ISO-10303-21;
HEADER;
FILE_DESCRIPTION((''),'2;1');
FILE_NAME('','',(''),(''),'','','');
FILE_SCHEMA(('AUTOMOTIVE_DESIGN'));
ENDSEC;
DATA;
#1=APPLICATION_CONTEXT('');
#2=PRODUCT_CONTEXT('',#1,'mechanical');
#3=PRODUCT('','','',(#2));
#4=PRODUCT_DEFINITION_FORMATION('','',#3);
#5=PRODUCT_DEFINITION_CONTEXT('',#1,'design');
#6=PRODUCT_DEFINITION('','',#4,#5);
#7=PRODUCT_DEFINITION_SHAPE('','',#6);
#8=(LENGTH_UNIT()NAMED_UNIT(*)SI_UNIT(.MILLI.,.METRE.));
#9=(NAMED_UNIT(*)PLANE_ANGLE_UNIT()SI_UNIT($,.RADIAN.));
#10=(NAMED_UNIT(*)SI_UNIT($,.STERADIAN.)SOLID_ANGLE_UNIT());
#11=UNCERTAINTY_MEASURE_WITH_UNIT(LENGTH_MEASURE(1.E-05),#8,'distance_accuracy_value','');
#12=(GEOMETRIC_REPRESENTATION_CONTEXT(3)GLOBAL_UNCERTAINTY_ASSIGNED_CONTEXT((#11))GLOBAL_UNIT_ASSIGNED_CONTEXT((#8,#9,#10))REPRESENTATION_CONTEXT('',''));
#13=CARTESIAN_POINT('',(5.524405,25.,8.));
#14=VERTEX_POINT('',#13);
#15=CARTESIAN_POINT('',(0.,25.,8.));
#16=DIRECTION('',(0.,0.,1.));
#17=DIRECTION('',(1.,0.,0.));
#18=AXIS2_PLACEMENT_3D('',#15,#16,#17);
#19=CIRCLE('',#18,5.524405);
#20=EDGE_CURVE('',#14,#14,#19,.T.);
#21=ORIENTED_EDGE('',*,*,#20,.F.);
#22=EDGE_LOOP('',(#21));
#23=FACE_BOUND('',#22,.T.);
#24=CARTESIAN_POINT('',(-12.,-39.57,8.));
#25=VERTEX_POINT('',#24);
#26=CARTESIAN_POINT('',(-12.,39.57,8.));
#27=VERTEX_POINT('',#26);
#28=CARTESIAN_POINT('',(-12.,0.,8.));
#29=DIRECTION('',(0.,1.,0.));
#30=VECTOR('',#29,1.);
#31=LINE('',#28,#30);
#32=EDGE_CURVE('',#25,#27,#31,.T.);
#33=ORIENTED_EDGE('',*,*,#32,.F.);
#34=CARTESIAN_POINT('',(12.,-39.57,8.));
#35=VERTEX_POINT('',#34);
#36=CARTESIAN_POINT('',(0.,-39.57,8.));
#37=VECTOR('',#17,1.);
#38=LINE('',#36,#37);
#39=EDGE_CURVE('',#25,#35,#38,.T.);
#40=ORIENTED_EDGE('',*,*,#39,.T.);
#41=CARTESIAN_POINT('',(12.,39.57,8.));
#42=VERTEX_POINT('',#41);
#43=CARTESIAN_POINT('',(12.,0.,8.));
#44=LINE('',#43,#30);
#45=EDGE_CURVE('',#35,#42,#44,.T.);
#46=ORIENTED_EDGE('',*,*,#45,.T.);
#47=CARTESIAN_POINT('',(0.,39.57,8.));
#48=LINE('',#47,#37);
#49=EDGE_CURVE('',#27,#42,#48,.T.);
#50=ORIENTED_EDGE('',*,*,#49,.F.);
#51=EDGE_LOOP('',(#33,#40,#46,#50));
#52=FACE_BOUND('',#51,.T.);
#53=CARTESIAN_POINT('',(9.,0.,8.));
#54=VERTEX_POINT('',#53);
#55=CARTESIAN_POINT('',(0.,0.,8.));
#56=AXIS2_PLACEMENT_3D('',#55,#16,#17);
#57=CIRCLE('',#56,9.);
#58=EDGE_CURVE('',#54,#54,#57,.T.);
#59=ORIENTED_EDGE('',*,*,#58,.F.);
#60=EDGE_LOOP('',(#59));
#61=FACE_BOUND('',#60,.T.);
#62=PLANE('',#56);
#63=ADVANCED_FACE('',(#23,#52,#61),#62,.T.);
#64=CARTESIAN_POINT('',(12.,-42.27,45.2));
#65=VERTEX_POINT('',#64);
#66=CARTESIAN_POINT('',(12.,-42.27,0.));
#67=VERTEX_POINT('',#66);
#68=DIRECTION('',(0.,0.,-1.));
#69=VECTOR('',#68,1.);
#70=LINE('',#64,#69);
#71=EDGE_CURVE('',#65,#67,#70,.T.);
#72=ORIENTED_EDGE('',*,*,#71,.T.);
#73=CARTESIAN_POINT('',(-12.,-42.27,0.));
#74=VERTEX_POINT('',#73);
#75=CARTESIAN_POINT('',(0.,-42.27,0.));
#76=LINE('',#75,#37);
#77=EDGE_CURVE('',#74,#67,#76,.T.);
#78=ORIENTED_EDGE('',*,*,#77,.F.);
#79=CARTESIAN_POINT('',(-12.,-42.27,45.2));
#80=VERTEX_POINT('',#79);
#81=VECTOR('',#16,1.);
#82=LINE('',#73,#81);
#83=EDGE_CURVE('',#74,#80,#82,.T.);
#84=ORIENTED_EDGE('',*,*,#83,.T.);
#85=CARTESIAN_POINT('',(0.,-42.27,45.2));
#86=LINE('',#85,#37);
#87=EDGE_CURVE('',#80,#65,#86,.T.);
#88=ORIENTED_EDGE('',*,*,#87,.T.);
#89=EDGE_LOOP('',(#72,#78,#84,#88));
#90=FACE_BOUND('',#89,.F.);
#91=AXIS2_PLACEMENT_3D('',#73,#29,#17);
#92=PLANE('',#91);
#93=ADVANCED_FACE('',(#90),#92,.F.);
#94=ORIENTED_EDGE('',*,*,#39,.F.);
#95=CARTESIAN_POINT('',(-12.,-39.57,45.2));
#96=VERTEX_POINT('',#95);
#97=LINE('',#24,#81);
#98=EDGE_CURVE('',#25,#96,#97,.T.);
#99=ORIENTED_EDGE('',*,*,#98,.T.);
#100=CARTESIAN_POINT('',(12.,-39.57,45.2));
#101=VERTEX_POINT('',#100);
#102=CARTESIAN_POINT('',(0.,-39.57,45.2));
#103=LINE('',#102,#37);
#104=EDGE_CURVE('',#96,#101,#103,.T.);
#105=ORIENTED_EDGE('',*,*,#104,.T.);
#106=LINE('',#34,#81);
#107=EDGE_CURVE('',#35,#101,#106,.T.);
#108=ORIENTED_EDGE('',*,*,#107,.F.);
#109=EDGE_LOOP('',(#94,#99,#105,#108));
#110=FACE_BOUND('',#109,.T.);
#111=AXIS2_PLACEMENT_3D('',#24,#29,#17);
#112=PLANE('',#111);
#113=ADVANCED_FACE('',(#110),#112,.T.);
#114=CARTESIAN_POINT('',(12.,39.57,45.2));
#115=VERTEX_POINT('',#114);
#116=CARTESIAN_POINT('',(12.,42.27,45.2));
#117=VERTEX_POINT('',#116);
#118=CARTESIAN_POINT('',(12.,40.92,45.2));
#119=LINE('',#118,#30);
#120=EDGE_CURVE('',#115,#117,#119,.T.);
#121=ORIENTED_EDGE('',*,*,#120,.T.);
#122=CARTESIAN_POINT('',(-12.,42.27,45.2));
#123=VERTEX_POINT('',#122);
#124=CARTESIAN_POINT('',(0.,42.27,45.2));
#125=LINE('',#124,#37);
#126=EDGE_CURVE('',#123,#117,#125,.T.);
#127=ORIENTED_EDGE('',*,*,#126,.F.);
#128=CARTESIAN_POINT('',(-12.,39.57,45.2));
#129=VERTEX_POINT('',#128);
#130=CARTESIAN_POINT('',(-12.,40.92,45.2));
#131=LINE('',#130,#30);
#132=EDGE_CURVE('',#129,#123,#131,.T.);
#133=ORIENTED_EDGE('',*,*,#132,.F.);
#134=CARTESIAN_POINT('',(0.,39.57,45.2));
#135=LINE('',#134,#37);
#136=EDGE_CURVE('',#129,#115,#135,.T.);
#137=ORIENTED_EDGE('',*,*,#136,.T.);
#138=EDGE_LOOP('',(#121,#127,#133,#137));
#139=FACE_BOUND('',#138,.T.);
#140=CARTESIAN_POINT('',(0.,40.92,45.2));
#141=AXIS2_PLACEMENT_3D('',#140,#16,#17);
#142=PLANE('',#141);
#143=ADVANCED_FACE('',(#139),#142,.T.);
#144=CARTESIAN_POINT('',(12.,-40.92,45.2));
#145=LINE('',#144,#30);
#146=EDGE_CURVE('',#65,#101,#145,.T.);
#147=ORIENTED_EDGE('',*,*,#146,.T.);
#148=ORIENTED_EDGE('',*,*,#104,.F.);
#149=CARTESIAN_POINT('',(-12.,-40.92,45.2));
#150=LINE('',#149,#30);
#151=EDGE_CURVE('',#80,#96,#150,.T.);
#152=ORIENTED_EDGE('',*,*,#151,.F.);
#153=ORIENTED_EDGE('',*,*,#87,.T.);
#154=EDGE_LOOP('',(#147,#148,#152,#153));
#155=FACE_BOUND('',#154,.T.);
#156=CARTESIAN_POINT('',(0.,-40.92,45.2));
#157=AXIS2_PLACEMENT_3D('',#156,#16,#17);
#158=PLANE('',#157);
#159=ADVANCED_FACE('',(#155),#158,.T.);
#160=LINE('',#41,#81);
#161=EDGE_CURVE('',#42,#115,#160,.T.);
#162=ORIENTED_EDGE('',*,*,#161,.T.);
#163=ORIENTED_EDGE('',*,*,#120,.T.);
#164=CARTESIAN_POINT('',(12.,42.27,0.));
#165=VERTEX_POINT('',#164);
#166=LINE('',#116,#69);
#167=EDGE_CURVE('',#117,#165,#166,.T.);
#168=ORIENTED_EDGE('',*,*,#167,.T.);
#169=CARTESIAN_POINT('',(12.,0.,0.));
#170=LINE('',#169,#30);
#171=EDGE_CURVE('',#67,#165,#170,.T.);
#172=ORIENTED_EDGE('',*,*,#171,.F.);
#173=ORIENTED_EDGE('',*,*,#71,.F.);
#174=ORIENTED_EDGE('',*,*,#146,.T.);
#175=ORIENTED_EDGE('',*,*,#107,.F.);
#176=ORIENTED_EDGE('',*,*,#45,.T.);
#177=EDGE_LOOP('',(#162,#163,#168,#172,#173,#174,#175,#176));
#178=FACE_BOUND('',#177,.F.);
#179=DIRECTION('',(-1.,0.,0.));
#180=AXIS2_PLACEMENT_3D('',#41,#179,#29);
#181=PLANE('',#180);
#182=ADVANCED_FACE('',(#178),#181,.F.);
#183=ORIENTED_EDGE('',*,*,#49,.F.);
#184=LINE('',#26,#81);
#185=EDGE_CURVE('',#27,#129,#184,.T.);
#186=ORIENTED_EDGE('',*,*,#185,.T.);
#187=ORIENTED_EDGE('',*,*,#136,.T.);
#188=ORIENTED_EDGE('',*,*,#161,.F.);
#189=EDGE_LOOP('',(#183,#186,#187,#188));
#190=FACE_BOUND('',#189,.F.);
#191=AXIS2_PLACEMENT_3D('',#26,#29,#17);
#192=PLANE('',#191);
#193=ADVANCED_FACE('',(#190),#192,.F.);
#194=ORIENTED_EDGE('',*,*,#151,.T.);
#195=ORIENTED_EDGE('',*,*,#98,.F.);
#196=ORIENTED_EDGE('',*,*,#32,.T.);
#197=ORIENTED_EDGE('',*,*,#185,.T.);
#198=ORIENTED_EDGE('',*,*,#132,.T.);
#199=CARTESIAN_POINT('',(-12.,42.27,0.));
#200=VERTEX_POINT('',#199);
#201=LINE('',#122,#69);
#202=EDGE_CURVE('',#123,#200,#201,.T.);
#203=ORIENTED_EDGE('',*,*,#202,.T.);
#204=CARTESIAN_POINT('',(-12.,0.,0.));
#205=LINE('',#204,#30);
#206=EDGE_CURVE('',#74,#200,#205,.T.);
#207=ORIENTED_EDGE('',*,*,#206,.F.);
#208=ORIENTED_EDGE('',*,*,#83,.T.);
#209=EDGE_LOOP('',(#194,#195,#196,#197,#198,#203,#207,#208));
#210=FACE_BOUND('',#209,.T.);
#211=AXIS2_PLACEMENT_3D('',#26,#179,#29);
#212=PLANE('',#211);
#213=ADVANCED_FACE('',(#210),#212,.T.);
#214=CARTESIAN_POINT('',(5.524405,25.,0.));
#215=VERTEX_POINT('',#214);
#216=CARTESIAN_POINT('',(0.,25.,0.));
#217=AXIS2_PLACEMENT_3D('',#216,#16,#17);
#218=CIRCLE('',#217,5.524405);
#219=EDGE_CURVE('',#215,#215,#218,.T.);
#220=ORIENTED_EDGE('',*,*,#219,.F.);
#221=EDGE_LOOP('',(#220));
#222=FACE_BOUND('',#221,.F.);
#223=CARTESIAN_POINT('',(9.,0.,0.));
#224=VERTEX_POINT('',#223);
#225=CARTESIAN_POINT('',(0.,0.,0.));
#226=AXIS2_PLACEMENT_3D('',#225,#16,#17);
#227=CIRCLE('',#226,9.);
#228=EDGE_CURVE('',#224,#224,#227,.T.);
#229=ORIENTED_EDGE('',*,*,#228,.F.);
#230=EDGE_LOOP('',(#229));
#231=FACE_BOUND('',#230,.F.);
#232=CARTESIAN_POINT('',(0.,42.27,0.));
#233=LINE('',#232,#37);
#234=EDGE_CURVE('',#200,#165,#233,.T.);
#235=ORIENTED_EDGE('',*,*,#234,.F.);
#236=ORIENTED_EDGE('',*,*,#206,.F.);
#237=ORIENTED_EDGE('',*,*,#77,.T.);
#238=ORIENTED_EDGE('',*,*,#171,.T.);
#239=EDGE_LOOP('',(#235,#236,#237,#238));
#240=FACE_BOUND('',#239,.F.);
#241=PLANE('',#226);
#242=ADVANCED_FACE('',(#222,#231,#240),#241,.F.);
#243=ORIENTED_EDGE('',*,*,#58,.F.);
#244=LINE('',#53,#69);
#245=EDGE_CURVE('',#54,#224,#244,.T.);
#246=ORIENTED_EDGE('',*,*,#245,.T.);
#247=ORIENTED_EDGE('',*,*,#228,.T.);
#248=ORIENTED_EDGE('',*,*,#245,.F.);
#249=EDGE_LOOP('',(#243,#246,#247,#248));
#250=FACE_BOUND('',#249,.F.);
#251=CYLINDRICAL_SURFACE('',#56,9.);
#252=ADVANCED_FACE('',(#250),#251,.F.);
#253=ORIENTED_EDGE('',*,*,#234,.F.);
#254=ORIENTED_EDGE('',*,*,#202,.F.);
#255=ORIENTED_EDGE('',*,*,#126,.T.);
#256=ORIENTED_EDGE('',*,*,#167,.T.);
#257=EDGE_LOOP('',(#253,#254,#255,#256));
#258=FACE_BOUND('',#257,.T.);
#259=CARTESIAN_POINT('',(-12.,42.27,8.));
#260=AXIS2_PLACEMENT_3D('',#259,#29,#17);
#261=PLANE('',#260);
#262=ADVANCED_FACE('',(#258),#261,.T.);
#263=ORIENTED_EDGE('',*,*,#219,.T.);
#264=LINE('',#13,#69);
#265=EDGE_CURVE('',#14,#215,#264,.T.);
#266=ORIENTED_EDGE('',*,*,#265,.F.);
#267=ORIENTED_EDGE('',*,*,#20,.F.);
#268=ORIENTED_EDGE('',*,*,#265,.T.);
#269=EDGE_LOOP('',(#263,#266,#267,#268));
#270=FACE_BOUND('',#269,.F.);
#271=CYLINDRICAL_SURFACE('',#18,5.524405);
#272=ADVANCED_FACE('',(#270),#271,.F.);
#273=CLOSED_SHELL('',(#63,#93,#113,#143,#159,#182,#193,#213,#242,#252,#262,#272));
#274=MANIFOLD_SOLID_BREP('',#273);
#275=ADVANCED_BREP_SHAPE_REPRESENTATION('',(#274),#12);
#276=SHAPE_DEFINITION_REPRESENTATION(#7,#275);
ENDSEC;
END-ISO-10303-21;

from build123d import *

# Parameters (mm, degrees)
F0_W     = 24
F0_H     = 84.54
F1_DEPTH = 8
F2_W     = 24
F2_H     = 2.7
F3_DEPTH = 37.2
F4_R     = 9
F5_DEPTH = 8.001
F6_R     = 5.524405
F7_DEPTH = 8.001


with BuildPart() as f1:
    # F0 (on Top) → F1 (new body)
    with BuildSketch(Plane.XY):
        Rectangle(F0_W, F0_H)
    extrude(amount=F1_DEPTH)

    # F2 (on face) → F3 (join)
    with BuildSketch(Plane.XY.offset(8)):
        with Locations((0, 40.92)):
            Rectangle(F2_W, F2_H)
        with Locations((0, -40.92)):
            Rectangle(F2_W, F2_H)
    extrude(amount=F3_DEPTH)

    # F4 (on face) → F5 (cut, through all)
    with BuildSketch(Plane.XY.offset(8)):
        Circle(F4_R)
    extrude(amount=-F5_DEPTH, mode=Mode.SUBTRACT)

    # F6 (on face) → F7 (cut, through all)
    with BuildSketch(Plane.XY.offset(8)):
        with Locations((0, 25)):
            Circle(F6_R)
    extrude(amount=-F7_DEPTH, mode=Mode.SUBTRACT)


solid = f1.part
